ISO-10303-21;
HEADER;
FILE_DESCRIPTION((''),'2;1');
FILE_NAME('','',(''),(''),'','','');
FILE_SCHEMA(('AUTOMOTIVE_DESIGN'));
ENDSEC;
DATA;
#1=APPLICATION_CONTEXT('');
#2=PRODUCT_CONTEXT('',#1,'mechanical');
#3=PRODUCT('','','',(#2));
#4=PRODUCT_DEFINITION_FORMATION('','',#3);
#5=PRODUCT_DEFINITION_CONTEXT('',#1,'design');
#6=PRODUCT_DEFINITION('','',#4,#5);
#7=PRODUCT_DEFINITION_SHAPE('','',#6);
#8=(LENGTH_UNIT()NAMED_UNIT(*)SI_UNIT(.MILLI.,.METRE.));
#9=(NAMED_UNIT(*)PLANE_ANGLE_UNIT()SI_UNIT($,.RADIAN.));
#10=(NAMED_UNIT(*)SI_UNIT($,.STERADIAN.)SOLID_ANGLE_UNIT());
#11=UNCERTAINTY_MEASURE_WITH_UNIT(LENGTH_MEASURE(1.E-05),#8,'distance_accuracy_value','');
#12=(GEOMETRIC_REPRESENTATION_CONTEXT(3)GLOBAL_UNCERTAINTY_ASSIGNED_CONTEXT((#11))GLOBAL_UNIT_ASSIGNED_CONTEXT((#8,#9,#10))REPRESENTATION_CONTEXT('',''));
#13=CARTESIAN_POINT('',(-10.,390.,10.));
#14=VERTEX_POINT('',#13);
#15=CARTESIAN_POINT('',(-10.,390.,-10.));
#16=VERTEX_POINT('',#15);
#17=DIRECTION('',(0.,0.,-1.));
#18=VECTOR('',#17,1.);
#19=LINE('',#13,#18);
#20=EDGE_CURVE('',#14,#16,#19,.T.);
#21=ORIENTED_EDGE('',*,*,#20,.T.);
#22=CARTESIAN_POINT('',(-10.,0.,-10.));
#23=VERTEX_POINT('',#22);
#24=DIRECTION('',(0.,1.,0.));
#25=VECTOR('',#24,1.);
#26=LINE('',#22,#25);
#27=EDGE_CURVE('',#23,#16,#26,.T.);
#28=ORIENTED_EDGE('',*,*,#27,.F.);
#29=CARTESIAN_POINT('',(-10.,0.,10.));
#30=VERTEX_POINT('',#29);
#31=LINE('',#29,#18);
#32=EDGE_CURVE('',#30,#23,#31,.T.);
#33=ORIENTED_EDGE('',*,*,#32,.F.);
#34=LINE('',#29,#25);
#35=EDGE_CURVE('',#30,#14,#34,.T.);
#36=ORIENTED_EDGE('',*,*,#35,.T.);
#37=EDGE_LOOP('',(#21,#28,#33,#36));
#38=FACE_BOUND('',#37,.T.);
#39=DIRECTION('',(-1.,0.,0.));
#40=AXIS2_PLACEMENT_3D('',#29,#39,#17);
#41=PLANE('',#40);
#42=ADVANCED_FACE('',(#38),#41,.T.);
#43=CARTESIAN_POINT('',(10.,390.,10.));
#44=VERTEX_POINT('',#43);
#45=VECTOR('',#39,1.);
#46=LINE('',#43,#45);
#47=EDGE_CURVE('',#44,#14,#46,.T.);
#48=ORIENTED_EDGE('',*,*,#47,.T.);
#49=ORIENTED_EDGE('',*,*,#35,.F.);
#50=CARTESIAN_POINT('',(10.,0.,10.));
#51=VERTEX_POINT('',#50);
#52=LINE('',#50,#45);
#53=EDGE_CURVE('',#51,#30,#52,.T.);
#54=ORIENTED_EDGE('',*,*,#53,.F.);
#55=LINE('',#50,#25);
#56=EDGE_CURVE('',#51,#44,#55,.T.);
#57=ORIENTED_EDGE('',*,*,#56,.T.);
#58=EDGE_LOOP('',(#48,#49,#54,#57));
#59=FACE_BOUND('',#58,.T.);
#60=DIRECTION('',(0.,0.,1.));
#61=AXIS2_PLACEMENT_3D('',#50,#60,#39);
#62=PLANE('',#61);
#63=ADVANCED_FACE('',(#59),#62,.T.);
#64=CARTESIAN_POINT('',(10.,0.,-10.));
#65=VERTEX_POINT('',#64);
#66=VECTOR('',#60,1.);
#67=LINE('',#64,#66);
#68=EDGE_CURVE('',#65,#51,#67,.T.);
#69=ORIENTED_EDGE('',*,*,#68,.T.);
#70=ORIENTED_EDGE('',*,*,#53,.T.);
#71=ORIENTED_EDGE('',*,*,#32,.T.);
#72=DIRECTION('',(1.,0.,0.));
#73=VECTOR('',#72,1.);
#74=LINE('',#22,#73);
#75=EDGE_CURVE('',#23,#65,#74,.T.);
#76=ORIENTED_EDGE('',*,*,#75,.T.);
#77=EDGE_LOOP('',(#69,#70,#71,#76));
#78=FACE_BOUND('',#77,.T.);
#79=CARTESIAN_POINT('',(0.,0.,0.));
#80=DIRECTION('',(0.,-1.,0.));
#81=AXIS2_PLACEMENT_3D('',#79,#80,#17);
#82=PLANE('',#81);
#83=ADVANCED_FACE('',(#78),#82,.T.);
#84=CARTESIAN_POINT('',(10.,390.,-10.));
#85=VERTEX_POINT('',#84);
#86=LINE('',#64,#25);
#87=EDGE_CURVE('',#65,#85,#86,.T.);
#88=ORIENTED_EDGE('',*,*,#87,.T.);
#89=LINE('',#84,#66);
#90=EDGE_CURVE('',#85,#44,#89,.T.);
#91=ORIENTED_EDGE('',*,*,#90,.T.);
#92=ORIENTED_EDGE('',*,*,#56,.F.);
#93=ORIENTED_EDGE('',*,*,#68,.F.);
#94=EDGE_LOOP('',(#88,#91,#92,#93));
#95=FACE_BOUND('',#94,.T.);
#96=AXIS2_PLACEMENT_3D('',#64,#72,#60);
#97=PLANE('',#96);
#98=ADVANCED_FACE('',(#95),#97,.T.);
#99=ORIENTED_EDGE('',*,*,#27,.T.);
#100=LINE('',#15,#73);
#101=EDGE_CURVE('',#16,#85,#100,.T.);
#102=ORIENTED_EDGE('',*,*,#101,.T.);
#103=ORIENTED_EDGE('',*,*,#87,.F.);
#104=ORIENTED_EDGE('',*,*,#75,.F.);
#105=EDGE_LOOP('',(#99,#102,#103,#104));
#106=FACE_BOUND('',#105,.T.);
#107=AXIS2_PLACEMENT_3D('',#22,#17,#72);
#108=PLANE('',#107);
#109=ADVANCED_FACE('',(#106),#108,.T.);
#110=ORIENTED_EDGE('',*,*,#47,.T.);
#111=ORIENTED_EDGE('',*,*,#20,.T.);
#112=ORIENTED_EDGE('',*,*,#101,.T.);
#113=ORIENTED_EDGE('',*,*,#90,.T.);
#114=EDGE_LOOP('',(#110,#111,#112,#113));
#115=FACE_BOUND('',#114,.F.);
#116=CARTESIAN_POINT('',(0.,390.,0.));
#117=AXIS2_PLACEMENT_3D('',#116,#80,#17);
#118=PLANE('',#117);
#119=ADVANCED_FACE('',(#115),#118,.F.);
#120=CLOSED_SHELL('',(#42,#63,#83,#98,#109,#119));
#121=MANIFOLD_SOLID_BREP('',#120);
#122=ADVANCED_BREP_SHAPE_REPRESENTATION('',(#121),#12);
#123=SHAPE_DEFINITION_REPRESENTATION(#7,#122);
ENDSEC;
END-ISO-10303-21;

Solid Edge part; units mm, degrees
sketch "Sketch1" plane through (0, 0, 0) normal (0, -1, 0) x (1, 0, 0)
  line L0 (10, -10) -> (10, 10)
  line L1 (10, 10) -> (-10, 10)
  line L2 (-10, 10) -> (-10, -10)
  line L3 (-10, -10) -> (10, -10)
extrude "Protrusion1" add sketch "Sketch1" against normal blind 390
